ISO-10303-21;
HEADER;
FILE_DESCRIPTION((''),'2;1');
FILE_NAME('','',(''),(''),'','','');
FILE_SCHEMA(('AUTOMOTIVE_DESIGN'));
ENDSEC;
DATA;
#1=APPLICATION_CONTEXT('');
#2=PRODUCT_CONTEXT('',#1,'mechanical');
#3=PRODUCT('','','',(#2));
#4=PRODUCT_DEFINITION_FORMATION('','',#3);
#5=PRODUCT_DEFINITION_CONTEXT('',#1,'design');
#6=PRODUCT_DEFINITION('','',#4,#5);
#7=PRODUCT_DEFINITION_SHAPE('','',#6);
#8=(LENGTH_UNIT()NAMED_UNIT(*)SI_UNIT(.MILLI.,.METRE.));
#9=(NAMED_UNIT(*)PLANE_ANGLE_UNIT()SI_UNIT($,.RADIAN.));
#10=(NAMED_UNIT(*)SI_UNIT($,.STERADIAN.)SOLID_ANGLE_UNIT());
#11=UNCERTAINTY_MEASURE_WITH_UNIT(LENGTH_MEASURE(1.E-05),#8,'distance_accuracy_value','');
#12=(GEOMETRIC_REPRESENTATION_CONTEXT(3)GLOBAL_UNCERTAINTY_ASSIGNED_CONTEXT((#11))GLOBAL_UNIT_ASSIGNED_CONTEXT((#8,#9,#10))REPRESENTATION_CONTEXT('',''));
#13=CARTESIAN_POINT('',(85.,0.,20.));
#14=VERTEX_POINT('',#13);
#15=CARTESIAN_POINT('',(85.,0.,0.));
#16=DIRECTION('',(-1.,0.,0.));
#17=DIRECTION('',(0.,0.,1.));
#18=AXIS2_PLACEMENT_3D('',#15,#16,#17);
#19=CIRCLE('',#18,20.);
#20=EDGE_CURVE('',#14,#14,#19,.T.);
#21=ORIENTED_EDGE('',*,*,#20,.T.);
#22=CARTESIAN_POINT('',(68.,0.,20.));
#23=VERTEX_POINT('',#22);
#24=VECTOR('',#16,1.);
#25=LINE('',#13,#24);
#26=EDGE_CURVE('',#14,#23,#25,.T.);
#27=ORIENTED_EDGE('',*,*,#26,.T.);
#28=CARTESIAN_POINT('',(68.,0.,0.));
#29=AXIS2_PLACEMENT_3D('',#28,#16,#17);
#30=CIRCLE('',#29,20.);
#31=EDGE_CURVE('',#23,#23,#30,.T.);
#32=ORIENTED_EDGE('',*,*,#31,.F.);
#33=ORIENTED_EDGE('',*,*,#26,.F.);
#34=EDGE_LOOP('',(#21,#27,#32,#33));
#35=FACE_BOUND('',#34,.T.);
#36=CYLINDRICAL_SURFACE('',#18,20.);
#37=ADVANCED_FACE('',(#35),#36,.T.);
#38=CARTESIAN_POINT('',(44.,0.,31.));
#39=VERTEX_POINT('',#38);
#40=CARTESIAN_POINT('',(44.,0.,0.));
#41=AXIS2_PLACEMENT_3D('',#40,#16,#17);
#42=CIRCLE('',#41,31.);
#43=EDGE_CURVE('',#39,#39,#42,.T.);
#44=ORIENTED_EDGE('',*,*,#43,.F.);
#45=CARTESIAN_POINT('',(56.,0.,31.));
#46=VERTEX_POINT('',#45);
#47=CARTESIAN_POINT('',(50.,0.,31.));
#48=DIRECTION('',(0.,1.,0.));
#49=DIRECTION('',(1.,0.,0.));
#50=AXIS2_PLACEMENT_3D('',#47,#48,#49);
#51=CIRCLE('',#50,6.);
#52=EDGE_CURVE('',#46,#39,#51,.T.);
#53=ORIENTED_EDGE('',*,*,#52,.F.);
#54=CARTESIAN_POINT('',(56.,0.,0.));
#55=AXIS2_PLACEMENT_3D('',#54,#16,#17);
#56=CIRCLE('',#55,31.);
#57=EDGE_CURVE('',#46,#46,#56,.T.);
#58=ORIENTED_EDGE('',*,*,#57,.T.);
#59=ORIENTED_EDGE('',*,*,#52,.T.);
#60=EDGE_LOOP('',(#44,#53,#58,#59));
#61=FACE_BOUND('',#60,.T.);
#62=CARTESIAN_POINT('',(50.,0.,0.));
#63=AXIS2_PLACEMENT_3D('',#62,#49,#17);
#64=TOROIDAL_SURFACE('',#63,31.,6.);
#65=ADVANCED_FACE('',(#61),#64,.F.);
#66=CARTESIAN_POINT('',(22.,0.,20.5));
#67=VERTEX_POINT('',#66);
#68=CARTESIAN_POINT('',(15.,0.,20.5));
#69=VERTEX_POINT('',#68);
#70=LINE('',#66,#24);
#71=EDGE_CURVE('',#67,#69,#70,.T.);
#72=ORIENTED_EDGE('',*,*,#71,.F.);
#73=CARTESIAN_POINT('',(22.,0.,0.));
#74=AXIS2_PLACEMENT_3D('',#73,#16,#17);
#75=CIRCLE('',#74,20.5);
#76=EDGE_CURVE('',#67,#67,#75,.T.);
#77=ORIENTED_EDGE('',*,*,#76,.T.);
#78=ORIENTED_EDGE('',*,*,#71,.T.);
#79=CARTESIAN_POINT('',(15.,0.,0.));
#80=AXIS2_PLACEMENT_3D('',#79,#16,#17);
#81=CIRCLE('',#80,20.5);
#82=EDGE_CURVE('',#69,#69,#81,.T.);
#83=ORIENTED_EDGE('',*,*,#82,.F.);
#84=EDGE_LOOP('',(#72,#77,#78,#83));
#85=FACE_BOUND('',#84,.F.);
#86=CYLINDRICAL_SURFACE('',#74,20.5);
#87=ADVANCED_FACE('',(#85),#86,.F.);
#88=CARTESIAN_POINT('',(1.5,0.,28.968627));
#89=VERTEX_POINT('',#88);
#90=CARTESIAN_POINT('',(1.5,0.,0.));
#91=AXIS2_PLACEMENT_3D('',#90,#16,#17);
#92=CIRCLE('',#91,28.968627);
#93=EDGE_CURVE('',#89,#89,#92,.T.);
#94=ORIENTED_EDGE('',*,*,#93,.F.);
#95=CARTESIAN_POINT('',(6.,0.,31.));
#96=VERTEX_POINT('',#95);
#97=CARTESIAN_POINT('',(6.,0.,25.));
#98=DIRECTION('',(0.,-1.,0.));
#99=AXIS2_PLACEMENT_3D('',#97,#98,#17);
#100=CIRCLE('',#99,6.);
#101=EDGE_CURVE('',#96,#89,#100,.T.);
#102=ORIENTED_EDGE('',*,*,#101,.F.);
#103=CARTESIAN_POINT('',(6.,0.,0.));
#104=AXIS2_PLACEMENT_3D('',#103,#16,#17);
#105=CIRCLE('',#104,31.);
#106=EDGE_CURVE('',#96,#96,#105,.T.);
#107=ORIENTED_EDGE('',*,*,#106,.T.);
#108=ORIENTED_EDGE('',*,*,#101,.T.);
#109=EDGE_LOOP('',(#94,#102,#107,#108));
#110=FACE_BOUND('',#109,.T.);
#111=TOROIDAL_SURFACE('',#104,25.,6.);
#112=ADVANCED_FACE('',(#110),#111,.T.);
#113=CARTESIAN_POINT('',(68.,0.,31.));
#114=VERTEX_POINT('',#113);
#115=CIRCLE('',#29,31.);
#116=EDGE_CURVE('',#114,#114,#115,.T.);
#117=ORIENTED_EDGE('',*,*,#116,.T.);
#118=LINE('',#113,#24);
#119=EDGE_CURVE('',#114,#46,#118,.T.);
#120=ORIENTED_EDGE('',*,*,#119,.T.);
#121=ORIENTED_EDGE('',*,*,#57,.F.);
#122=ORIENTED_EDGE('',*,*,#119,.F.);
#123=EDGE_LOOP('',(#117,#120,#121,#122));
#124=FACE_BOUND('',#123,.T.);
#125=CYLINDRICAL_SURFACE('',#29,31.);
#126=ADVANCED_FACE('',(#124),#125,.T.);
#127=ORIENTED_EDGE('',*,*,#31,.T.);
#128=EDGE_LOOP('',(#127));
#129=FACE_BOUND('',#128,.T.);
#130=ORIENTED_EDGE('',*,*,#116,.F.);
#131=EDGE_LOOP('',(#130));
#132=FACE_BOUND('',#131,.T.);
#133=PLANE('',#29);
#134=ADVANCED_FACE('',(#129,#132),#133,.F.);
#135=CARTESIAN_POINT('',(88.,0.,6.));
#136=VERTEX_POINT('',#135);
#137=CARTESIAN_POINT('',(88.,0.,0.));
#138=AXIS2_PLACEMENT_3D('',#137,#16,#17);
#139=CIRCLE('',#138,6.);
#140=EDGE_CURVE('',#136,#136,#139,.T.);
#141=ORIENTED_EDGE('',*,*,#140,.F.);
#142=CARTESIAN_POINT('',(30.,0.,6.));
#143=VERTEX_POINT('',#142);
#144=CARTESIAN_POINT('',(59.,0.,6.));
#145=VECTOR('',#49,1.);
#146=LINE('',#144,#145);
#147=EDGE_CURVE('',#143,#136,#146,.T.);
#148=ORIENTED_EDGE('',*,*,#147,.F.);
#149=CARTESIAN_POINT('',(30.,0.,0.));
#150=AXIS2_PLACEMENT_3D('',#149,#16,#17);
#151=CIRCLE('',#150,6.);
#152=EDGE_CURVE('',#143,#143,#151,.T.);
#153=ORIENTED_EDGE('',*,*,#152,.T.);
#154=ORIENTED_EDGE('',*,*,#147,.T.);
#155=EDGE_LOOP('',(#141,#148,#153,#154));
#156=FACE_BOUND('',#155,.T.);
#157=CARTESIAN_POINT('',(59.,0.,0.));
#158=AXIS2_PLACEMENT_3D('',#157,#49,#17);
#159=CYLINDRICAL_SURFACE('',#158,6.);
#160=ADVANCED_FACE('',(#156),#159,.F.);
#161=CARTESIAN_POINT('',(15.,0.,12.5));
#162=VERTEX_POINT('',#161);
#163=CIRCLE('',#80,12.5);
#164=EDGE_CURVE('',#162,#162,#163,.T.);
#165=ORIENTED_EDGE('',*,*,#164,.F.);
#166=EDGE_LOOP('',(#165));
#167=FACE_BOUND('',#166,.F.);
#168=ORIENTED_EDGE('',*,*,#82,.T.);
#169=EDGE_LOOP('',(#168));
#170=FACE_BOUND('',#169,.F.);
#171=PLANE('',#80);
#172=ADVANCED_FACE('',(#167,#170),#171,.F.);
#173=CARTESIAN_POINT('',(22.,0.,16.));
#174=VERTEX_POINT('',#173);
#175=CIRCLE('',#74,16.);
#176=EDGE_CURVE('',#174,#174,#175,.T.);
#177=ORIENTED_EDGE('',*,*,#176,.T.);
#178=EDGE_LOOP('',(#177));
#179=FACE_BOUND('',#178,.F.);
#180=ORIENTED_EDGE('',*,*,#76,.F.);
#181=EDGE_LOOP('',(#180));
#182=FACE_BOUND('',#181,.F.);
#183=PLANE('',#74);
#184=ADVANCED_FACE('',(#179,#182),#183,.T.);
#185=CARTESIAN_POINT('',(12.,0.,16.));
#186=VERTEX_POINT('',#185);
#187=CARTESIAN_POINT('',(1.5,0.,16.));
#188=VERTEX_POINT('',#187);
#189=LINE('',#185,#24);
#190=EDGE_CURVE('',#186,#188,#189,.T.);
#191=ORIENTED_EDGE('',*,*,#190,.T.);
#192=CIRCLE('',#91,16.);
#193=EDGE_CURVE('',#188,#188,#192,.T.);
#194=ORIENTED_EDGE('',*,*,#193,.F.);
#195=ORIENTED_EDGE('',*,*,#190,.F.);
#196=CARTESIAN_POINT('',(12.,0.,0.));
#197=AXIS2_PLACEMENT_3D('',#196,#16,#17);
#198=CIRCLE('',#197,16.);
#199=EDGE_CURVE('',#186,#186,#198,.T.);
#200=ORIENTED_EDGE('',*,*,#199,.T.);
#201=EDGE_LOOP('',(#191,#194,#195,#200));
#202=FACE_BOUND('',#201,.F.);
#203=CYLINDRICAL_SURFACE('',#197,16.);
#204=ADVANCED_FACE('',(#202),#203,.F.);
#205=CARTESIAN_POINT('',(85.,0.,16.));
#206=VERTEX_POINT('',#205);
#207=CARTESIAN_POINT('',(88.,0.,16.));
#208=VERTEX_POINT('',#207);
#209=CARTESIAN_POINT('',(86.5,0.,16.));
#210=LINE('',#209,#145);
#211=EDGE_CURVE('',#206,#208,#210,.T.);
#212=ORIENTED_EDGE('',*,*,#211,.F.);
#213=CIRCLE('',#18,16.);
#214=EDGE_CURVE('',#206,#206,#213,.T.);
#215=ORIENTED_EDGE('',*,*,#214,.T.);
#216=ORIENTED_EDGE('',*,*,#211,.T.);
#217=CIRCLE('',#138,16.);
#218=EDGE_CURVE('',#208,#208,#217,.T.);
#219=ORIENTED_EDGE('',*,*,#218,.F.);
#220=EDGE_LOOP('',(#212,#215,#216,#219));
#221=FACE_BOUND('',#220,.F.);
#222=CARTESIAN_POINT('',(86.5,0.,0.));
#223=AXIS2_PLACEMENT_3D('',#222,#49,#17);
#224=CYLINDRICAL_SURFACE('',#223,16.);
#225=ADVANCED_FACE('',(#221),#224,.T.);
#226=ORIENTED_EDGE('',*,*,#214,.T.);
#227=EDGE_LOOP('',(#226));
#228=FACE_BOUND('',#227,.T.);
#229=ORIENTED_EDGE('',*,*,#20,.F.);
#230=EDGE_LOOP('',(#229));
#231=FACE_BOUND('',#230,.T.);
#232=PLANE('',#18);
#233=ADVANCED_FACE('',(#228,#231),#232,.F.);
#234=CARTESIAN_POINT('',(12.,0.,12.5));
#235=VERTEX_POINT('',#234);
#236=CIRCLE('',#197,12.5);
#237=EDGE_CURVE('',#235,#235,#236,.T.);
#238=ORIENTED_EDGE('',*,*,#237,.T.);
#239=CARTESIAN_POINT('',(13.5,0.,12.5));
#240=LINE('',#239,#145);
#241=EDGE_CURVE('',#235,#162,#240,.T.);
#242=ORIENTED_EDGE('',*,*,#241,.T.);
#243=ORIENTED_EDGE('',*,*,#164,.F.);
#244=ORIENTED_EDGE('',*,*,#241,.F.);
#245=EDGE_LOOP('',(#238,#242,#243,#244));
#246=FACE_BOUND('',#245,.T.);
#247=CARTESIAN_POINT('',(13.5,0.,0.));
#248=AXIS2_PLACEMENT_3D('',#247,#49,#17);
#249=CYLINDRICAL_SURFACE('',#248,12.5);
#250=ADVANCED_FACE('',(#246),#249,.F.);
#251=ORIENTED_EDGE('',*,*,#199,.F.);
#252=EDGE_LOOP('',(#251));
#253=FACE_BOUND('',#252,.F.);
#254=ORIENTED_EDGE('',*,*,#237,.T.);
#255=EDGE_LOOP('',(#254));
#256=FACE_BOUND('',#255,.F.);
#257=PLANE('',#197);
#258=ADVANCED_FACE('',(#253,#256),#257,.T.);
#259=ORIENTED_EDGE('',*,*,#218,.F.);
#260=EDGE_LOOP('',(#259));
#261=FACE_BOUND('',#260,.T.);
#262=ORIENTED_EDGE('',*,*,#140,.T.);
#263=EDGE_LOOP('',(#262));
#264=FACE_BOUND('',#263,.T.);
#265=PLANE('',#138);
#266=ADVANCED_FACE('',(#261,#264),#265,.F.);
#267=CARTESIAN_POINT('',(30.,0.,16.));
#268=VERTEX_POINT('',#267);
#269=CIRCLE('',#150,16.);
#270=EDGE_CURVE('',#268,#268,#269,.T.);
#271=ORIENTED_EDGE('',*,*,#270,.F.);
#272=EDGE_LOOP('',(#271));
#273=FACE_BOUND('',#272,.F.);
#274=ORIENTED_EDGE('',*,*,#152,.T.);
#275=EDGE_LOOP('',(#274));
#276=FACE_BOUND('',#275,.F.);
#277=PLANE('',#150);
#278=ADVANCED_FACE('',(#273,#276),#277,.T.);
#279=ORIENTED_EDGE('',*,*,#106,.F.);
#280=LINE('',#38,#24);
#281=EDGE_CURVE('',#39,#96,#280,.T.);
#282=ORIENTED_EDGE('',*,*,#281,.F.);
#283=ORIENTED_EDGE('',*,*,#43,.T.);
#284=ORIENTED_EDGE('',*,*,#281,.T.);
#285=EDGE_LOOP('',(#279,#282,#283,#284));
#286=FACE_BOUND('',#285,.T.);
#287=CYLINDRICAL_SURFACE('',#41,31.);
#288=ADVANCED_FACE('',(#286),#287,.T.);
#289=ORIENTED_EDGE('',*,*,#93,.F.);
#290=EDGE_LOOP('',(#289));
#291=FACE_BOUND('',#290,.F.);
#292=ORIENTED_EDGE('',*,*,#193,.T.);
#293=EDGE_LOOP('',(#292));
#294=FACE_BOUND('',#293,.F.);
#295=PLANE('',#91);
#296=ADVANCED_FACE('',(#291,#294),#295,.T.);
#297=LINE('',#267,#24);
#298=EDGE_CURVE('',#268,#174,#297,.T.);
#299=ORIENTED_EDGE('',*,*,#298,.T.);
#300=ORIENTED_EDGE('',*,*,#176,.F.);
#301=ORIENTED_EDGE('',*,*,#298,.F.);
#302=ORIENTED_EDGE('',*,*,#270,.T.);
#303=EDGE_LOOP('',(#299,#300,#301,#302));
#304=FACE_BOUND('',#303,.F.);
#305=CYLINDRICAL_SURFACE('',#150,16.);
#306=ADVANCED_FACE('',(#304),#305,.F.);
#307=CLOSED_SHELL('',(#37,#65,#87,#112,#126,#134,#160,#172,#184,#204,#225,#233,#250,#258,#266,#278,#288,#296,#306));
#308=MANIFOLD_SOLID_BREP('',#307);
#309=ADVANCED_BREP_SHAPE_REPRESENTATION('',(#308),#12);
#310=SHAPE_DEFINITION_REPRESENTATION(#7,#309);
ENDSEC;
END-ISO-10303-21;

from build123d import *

# Parameters (mm, degrees)
F0_W   = 3
F0_H   = 16
F2_W   = 1.5
F2_H   = 16
F2_W_2 = 3
F2_H_2 = 12.5
F2_W_3 = 58
F2_H_3 = 6


with BuildPart() as f1:
    # F0 (on Front) → F1 (revolve)
    with BuildSketch(Plane.XZ):
        Polygon((56, 31), (56, 0), (68, 0), (68, 20), (68, 31), align=None)
        with Locations((86.5, 8)):
            Rectangle(F0_W, F0_H)
        with BuildLine():
            Line((44, 31), (44, 0))
            Line((44, 0), (56, 0))
            Line((56, 0), (56, 31))
            ThreePointArc((56, 31), (50, 25), (44, 31))
        make_face()
        with BuildLine():
            Line((0, 25), (0, 0))
            Line((0, 0), (44, 0))
            Line((44, 0), (44, 31))
            Line((44, 31), (6, 31))
            ThreePointArc((6, 31), (1.7573593129, 29.2426406871), (0, 25))
        make_face()
        Polygon((68, 20), (68, 0), (85, 0), (85, 16), (85, 20), align=None)
    revolve(axis=Axis((42.5, 0, 0), (-1, 0, 0)))

    # F2 (on Front) → F3 (revolve, cut)
    with BuildSketch(Plane.XZ):
        with Locations((0.75, 8)):
            Rectangle(F2_W, F2_H)
        Polygon((1.5, 16), (1.5, 0), (12, 0), (12, 12.5), (12, 16), align=None)
        with BuildLine():
            Line((0, 16), (1.5, 16))
            Line((1.5, 16), (1.5, 28.9686269666))
            ThreePointArc((1.5, 28.9686269666), (0.3875139198, 27.1213203436), (0, 25))
            Line((0, 25), (0, 16))
        make_face()
        with Locations((13.5, 6.25)):
            Rectangle(F2_W_2, F2_H_2)
        Polygon((15, 12.5), (15, 0), (30, 0), (30, 6), (30, 16), (22, 16), (22, 20.5), (15, 20.5), align=None)
        with Locations((59, 3)):
            Rectangle(F2_W_3, F2_H_3)
    revolve(axis=Axis((44, 0, 0), (-1, 0, 0)), mode=Mode.SUBTRACT)


solid = f1.part
